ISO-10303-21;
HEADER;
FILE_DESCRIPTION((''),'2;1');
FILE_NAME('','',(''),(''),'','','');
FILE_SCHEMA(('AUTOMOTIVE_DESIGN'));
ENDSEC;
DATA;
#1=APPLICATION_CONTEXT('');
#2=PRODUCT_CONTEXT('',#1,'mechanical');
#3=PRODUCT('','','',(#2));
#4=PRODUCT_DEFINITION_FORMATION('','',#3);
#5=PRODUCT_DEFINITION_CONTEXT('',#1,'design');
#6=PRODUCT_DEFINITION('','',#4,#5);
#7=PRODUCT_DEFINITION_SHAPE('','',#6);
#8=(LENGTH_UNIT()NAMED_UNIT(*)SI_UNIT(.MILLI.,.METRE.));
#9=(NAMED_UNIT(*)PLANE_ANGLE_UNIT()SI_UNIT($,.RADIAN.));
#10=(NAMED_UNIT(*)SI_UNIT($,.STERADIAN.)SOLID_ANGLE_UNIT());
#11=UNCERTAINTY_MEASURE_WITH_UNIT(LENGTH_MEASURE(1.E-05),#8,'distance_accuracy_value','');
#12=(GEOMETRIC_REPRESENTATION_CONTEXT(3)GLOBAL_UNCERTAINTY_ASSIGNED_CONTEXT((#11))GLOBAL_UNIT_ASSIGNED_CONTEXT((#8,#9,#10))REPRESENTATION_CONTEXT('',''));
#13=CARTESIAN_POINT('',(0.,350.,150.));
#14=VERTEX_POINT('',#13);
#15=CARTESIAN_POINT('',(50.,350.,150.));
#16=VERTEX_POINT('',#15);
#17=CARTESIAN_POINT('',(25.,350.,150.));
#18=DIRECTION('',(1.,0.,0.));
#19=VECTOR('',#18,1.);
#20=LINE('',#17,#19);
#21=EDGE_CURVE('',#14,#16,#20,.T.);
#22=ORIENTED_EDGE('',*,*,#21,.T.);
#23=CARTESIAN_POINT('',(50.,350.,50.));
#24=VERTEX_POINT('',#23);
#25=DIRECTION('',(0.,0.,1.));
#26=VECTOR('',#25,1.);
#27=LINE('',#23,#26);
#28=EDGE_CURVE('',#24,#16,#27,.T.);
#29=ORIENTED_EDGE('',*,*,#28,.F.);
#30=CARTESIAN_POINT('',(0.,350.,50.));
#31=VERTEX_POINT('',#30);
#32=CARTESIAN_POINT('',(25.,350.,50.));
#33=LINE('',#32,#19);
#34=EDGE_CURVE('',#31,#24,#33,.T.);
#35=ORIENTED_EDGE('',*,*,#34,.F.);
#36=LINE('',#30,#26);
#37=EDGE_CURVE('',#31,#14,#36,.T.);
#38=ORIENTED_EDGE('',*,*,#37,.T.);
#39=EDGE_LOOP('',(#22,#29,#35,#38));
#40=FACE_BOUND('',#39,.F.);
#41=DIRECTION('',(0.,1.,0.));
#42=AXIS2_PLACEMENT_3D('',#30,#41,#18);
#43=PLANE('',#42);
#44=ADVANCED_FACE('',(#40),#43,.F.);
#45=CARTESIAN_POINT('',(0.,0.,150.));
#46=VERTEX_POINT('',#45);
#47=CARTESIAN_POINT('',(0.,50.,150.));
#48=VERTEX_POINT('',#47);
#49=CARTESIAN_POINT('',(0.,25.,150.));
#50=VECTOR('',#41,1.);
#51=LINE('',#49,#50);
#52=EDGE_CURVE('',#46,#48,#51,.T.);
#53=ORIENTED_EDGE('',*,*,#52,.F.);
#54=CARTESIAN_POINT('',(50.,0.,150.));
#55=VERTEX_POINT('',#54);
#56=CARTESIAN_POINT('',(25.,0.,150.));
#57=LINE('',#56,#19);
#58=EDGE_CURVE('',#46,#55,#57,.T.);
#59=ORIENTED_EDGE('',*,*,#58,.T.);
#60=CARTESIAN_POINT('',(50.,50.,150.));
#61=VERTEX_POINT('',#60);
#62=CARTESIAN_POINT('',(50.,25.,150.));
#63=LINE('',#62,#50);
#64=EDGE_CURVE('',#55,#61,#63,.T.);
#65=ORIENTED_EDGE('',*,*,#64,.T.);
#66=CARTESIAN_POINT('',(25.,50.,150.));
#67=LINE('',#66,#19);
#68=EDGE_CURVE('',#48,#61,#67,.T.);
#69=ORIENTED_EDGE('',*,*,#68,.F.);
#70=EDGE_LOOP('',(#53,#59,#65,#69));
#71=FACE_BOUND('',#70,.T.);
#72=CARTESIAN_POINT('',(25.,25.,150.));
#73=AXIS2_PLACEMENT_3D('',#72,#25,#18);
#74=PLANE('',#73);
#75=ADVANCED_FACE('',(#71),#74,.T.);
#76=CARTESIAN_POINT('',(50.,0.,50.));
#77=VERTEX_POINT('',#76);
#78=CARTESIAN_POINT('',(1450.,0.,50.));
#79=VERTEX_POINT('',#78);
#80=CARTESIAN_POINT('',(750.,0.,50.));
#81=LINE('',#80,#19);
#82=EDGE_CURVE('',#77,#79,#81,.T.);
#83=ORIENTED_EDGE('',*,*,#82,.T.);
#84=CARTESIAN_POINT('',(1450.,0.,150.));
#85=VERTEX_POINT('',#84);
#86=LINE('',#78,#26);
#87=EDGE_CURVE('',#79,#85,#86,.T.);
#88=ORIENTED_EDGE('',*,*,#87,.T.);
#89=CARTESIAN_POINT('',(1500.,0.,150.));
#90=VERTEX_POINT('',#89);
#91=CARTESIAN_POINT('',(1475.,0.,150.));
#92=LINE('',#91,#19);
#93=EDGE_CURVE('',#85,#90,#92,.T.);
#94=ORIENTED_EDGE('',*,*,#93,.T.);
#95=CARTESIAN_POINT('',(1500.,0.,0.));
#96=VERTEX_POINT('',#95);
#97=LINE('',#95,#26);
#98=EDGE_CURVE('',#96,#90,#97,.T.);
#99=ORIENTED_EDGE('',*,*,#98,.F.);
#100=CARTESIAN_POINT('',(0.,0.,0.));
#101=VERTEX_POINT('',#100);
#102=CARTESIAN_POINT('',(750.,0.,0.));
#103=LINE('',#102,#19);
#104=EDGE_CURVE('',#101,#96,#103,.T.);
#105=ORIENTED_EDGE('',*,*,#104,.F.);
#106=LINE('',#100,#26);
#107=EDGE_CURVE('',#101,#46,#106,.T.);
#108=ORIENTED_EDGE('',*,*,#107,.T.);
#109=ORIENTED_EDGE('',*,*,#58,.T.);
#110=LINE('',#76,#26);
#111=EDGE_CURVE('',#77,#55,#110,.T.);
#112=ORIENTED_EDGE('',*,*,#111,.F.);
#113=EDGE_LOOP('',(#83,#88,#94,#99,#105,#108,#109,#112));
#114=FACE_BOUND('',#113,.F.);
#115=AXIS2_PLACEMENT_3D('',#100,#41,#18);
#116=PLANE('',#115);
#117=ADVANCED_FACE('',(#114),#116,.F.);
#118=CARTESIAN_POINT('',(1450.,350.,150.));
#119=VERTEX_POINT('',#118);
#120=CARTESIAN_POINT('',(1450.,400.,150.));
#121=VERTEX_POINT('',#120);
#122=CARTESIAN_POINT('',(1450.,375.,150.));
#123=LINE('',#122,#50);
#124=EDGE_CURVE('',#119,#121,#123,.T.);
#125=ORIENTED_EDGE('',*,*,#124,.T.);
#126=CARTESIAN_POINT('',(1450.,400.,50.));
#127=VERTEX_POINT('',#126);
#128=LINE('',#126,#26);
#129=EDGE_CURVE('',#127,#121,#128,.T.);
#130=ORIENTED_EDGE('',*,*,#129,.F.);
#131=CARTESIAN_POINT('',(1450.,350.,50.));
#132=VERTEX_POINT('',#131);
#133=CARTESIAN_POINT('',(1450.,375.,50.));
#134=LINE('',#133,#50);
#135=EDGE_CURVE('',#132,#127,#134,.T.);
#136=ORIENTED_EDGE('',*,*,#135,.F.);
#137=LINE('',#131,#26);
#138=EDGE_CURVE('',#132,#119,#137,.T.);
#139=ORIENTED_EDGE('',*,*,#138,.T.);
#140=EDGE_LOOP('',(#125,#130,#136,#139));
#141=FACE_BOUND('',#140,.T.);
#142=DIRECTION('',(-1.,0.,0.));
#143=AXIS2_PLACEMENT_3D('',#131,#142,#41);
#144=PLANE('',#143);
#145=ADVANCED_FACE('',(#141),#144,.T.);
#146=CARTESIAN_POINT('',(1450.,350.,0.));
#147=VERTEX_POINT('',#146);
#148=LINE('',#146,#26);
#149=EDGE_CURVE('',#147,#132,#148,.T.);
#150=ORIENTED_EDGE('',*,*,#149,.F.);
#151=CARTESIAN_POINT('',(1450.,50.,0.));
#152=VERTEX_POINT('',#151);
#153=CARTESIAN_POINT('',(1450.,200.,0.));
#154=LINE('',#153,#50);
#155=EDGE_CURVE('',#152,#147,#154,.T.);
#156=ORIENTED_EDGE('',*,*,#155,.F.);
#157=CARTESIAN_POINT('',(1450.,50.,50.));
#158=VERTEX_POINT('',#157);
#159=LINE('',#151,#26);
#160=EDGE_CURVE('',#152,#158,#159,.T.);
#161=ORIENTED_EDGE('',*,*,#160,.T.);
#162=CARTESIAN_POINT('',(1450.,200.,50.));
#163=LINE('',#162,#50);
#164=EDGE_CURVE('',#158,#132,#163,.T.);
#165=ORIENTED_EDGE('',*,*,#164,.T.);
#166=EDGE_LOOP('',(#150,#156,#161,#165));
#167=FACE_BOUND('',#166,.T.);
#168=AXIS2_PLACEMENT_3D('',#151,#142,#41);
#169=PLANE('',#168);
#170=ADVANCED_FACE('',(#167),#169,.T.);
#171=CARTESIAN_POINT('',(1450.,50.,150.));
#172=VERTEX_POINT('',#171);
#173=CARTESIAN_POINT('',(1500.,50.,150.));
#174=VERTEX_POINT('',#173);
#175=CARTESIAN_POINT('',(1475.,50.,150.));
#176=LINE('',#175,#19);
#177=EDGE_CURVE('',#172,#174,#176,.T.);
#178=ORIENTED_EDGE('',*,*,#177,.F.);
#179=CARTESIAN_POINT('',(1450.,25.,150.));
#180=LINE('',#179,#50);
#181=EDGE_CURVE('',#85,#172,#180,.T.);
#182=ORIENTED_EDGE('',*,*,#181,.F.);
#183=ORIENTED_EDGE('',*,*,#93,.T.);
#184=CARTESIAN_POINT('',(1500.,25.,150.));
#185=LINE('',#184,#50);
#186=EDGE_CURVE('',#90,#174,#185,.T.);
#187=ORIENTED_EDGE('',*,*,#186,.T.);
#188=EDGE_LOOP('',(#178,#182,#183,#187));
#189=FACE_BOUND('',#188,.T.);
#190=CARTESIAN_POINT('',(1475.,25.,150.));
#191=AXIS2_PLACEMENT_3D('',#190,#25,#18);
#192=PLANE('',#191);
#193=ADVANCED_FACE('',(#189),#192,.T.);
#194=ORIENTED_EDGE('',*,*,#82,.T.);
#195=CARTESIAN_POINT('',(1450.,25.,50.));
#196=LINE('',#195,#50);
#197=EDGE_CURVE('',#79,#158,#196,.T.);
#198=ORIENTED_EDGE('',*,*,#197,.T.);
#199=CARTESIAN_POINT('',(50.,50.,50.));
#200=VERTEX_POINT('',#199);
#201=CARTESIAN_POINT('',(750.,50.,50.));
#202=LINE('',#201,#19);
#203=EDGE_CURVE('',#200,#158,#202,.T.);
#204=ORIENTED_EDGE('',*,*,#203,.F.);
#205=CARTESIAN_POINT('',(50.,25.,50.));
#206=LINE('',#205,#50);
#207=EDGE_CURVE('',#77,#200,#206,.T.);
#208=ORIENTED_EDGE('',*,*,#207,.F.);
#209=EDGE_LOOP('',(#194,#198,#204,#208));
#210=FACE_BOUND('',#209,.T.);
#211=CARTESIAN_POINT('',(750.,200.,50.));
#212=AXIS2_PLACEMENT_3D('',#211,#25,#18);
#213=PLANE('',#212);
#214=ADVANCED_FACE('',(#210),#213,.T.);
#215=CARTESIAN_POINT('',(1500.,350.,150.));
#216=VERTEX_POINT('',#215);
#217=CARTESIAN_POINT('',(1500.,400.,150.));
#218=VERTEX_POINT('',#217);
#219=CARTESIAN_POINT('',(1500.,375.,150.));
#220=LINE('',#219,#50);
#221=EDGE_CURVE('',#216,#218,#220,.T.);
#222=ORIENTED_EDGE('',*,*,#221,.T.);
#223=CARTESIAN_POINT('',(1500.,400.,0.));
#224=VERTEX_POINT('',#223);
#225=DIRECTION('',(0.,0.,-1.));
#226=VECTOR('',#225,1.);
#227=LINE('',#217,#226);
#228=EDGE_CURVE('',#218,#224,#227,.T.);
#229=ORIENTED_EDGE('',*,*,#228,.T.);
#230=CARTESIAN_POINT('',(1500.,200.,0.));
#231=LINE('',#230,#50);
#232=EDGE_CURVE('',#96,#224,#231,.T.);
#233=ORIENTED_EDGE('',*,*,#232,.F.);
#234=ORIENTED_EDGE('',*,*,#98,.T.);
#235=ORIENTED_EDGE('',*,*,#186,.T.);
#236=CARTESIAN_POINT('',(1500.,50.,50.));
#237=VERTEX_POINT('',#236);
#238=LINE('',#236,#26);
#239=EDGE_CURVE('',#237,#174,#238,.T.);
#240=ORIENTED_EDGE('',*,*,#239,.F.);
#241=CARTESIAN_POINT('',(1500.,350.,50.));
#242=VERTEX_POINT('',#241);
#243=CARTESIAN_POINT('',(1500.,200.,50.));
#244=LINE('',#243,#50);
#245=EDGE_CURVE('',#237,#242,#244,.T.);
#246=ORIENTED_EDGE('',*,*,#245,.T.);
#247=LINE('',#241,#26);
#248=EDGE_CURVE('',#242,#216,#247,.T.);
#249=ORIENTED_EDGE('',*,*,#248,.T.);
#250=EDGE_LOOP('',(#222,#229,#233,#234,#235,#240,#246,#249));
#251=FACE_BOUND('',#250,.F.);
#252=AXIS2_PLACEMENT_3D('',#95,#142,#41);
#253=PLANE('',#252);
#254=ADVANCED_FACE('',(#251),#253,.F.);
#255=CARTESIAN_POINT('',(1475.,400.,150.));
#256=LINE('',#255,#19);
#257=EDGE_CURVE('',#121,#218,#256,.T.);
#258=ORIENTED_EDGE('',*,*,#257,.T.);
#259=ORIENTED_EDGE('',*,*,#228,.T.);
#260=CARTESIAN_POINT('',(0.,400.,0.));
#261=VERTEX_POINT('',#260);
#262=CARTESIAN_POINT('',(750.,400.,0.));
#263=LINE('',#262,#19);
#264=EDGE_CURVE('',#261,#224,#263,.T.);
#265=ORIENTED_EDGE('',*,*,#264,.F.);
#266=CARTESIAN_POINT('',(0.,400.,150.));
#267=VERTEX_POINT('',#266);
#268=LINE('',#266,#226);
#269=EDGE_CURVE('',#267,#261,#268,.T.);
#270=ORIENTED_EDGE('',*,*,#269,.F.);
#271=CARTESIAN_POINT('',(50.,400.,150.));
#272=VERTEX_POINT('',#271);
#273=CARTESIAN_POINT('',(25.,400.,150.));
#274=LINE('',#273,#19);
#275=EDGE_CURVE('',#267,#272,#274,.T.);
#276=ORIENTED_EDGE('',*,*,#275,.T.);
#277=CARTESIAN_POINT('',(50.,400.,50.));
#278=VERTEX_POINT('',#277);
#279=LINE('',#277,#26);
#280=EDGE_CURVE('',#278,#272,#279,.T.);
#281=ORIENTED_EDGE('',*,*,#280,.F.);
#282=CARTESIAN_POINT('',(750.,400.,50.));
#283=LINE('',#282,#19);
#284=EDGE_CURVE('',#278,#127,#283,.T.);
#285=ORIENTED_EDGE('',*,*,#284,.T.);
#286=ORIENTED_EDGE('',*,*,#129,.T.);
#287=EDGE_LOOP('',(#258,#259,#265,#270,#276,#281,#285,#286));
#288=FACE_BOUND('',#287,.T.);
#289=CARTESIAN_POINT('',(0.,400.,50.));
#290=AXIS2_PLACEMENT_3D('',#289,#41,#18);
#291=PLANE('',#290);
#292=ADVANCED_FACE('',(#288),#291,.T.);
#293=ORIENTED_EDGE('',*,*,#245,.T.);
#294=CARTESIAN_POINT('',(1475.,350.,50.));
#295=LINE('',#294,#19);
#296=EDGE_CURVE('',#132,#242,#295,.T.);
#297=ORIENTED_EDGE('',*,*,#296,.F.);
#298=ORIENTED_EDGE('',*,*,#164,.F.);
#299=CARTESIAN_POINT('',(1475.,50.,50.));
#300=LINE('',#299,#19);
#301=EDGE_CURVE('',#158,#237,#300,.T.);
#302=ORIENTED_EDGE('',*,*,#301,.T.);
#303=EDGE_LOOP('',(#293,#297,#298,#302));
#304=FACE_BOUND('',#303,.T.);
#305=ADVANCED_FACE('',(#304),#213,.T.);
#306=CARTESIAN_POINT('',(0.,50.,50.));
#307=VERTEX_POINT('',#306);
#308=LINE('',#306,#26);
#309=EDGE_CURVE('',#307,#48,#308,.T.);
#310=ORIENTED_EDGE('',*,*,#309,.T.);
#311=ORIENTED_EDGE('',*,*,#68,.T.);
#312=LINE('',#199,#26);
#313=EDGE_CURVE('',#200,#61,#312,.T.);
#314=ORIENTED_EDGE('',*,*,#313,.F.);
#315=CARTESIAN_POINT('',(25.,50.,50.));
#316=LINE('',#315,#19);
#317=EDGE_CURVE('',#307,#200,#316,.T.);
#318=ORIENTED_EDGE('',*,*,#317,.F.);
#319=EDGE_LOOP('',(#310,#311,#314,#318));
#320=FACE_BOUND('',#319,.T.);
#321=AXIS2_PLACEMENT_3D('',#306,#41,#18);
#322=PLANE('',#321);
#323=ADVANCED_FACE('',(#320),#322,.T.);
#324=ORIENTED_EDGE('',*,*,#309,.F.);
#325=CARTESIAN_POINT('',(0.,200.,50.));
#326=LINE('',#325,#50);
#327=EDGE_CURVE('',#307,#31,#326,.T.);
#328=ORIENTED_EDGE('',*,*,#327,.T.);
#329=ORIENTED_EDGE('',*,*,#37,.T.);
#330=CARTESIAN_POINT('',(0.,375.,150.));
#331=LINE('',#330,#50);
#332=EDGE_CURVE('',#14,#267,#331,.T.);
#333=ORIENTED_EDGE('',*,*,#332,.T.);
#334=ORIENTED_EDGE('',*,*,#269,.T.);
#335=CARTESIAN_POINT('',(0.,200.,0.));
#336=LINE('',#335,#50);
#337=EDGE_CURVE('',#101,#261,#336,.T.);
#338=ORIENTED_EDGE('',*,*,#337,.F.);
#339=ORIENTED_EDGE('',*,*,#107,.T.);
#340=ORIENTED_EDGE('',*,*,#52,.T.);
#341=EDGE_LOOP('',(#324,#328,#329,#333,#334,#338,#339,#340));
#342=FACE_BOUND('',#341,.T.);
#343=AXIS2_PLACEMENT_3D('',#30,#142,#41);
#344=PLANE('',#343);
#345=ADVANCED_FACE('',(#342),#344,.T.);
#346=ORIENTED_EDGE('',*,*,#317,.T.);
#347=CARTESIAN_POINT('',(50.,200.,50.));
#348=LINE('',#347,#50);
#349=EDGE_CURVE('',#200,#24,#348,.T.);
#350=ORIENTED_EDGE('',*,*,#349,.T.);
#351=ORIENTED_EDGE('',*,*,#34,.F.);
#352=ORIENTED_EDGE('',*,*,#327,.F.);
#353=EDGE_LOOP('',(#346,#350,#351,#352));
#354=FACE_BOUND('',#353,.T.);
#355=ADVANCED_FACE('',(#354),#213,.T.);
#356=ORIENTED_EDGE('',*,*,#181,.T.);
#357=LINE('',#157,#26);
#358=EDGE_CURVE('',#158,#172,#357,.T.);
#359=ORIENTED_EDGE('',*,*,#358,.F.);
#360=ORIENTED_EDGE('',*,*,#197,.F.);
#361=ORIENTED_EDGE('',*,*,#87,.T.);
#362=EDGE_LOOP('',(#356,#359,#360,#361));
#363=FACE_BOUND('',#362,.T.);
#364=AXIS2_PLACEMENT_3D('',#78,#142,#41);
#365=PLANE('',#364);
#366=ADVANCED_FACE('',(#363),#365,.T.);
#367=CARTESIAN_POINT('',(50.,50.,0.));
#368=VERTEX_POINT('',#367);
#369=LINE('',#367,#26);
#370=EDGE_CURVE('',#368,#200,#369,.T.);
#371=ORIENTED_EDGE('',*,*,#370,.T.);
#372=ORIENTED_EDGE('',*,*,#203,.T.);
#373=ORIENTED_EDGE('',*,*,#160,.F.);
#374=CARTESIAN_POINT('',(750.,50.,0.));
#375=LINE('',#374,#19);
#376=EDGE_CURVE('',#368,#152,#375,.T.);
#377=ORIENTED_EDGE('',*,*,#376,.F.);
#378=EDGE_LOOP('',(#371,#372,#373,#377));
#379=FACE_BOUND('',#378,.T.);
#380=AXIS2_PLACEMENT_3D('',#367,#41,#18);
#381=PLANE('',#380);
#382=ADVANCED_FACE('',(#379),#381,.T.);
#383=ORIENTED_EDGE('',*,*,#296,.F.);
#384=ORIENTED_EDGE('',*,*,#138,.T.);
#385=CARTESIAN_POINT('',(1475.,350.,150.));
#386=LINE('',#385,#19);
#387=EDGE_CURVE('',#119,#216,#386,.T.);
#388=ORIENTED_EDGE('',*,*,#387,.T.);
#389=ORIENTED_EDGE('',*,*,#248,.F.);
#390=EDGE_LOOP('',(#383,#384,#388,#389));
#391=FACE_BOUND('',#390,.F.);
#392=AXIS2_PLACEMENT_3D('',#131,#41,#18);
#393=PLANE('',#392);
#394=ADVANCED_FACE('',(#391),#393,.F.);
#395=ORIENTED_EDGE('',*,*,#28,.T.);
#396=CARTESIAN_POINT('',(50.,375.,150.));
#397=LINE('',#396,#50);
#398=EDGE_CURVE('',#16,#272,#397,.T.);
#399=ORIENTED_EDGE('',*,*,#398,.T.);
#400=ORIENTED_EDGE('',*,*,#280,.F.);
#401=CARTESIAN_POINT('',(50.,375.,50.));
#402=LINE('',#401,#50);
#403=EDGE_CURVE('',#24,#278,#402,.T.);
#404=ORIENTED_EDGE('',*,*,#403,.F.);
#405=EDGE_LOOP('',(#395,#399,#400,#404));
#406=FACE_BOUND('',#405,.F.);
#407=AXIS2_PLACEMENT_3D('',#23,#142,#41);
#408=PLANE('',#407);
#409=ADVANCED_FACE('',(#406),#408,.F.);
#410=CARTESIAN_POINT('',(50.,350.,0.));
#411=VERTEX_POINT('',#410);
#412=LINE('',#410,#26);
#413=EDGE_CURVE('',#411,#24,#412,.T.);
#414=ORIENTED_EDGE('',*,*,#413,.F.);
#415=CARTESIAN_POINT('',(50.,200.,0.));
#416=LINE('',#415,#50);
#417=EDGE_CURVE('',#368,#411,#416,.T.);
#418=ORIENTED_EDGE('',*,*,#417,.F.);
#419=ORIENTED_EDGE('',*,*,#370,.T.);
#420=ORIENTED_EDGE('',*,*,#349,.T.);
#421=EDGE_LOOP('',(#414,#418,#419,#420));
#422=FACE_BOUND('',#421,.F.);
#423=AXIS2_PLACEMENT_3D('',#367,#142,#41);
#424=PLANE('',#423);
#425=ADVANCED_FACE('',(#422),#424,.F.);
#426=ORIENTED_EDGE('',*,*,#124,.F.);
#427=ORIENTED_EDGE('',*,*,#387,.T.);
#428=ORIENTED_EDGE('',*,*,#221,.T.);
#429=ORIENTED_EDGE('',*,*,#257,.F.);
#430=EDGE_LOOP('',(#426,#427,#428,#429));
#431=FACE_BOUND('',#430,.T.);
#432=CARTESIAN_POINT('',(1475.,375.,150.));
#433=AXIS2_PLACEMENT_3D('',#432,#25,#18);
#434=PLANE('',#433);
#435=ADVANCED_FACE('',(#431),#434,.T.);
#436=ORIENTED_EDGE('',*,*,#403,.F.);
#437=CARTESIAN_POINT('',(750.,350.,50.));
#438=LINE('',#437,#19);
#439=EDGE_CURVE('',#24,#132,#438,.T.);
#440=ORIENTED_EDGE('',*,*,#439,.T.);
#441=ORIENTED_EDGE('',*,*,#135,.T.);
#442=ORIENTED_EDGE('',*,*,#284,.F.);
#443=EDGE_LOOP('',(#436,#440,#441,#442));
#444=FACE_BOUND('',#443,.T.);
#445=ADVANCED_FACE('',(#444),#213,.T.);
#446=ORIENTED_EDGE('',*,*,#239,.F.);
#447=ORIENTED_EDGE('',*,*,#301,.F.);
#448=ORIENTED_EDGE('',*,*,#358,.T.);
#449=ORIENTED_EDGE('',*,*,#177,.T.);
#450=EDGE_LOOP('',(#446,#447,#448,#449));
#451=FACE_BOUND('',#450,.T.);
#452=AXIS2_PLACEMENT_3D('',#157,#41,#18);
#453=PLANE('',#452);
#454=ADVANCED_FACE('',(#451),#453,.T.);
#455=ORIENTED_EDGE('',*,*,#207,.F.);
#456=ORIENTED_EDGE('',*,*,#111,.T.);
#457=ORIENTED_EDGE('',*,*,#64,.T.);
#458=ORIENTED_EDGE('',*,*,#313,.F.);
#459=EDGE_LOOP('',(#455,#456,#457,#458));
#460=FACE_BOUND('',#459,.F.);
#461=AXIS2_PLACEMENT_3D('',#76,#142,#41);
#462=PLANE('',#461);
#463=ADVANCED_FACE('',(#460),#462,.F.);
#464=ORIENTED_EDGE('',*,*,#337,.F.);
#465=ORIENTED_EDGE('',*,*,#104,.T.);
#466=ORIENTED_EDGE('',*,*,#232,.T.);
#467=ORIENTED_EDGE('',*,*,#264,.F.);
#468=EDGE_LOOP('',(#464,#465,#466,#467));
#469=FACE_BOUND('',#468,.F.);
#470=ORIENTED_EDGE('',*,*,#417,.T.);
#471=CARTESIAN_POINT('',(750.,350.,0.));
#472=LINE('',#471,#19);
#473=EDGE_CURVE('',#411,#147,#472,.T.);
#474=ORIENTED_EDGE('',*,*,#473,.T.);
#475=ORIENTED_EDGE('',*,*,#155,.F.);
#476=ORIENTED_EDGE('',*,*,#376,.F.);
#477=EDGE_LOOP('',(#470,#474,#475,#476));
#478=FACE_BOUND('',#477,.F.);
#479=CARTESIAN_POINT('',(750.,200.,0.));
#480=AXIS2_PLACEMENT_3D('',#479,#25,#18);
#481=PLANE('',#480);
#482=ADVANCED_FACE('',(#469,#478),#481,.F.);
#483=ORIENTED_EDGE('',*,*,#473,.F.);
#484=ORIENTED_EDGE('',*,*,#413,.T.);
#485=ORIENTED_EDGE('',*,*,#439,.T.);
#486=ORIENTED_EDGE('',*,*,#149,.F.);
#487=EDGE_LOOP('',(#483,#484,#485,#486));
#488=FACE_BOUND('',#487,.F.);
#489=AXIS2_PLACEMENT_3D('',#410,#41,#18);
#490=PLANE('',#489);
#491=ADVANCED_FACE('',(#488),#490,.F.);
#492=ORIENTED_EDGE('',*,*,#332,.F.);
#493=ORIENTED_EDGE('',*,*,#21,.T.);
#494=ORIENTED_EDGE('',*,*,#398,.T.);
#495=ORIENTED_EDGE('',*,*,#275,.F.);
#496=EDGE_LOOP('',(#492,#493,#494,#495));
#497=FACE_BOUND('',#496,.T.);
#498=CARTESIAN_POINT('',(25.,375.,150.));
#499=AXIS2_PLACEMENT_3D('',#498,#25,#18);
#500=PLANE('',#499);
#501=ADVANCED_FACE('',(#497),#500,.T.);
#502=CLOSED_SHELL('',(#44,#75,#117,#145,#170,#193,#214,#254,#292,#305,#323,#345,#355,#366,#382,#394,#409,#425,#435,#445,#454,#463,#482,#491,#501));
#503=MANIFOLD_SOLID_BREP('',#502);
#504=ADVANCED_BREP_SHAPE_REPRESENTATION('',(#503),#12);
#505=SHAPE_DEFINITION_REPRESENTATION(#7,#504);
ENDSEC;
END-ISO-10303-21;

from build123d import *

# Parameters (mm, degrees)
F0_W     = 1500
F0_H     = 400
F0_W_2   = 1400
F0_H_2   = 300
F1_DEPTH = 50
F2_W     = 50
F2_H     = 50
F3_DEPTH = 100


with BuildPart() as f1:
    # F0 (on Top) → F1 (new body)
    with BuildSketch(Plane.XY):
        with Locations((750, 200)):
            Rectangle(F0_W, F0_H)
        with Locations((750, 200)):
            Rectangle(F0_W_2, F0_H_2, mode=Mode.SUBTRACT)
    extrude(amount=F1_DEPTH)

    # F2 (on face) → F3 (join)
    with BuildSketch(Plane.XY.offset(50)):
        with Locations((25, 375)):
            Rectangle(F2_W, F2_H)
        with Locations((25, 25)):
            Rectangle(F2_W, F2_H)
        with Locations((1475, 375)):
            Rectangle(F2_W, F2_H)
        with Locations((1475, 25)):
            Rectangle(F2_W, F2_H)
    extrude(amount=F3_DEPTH)


solid = f1.part
